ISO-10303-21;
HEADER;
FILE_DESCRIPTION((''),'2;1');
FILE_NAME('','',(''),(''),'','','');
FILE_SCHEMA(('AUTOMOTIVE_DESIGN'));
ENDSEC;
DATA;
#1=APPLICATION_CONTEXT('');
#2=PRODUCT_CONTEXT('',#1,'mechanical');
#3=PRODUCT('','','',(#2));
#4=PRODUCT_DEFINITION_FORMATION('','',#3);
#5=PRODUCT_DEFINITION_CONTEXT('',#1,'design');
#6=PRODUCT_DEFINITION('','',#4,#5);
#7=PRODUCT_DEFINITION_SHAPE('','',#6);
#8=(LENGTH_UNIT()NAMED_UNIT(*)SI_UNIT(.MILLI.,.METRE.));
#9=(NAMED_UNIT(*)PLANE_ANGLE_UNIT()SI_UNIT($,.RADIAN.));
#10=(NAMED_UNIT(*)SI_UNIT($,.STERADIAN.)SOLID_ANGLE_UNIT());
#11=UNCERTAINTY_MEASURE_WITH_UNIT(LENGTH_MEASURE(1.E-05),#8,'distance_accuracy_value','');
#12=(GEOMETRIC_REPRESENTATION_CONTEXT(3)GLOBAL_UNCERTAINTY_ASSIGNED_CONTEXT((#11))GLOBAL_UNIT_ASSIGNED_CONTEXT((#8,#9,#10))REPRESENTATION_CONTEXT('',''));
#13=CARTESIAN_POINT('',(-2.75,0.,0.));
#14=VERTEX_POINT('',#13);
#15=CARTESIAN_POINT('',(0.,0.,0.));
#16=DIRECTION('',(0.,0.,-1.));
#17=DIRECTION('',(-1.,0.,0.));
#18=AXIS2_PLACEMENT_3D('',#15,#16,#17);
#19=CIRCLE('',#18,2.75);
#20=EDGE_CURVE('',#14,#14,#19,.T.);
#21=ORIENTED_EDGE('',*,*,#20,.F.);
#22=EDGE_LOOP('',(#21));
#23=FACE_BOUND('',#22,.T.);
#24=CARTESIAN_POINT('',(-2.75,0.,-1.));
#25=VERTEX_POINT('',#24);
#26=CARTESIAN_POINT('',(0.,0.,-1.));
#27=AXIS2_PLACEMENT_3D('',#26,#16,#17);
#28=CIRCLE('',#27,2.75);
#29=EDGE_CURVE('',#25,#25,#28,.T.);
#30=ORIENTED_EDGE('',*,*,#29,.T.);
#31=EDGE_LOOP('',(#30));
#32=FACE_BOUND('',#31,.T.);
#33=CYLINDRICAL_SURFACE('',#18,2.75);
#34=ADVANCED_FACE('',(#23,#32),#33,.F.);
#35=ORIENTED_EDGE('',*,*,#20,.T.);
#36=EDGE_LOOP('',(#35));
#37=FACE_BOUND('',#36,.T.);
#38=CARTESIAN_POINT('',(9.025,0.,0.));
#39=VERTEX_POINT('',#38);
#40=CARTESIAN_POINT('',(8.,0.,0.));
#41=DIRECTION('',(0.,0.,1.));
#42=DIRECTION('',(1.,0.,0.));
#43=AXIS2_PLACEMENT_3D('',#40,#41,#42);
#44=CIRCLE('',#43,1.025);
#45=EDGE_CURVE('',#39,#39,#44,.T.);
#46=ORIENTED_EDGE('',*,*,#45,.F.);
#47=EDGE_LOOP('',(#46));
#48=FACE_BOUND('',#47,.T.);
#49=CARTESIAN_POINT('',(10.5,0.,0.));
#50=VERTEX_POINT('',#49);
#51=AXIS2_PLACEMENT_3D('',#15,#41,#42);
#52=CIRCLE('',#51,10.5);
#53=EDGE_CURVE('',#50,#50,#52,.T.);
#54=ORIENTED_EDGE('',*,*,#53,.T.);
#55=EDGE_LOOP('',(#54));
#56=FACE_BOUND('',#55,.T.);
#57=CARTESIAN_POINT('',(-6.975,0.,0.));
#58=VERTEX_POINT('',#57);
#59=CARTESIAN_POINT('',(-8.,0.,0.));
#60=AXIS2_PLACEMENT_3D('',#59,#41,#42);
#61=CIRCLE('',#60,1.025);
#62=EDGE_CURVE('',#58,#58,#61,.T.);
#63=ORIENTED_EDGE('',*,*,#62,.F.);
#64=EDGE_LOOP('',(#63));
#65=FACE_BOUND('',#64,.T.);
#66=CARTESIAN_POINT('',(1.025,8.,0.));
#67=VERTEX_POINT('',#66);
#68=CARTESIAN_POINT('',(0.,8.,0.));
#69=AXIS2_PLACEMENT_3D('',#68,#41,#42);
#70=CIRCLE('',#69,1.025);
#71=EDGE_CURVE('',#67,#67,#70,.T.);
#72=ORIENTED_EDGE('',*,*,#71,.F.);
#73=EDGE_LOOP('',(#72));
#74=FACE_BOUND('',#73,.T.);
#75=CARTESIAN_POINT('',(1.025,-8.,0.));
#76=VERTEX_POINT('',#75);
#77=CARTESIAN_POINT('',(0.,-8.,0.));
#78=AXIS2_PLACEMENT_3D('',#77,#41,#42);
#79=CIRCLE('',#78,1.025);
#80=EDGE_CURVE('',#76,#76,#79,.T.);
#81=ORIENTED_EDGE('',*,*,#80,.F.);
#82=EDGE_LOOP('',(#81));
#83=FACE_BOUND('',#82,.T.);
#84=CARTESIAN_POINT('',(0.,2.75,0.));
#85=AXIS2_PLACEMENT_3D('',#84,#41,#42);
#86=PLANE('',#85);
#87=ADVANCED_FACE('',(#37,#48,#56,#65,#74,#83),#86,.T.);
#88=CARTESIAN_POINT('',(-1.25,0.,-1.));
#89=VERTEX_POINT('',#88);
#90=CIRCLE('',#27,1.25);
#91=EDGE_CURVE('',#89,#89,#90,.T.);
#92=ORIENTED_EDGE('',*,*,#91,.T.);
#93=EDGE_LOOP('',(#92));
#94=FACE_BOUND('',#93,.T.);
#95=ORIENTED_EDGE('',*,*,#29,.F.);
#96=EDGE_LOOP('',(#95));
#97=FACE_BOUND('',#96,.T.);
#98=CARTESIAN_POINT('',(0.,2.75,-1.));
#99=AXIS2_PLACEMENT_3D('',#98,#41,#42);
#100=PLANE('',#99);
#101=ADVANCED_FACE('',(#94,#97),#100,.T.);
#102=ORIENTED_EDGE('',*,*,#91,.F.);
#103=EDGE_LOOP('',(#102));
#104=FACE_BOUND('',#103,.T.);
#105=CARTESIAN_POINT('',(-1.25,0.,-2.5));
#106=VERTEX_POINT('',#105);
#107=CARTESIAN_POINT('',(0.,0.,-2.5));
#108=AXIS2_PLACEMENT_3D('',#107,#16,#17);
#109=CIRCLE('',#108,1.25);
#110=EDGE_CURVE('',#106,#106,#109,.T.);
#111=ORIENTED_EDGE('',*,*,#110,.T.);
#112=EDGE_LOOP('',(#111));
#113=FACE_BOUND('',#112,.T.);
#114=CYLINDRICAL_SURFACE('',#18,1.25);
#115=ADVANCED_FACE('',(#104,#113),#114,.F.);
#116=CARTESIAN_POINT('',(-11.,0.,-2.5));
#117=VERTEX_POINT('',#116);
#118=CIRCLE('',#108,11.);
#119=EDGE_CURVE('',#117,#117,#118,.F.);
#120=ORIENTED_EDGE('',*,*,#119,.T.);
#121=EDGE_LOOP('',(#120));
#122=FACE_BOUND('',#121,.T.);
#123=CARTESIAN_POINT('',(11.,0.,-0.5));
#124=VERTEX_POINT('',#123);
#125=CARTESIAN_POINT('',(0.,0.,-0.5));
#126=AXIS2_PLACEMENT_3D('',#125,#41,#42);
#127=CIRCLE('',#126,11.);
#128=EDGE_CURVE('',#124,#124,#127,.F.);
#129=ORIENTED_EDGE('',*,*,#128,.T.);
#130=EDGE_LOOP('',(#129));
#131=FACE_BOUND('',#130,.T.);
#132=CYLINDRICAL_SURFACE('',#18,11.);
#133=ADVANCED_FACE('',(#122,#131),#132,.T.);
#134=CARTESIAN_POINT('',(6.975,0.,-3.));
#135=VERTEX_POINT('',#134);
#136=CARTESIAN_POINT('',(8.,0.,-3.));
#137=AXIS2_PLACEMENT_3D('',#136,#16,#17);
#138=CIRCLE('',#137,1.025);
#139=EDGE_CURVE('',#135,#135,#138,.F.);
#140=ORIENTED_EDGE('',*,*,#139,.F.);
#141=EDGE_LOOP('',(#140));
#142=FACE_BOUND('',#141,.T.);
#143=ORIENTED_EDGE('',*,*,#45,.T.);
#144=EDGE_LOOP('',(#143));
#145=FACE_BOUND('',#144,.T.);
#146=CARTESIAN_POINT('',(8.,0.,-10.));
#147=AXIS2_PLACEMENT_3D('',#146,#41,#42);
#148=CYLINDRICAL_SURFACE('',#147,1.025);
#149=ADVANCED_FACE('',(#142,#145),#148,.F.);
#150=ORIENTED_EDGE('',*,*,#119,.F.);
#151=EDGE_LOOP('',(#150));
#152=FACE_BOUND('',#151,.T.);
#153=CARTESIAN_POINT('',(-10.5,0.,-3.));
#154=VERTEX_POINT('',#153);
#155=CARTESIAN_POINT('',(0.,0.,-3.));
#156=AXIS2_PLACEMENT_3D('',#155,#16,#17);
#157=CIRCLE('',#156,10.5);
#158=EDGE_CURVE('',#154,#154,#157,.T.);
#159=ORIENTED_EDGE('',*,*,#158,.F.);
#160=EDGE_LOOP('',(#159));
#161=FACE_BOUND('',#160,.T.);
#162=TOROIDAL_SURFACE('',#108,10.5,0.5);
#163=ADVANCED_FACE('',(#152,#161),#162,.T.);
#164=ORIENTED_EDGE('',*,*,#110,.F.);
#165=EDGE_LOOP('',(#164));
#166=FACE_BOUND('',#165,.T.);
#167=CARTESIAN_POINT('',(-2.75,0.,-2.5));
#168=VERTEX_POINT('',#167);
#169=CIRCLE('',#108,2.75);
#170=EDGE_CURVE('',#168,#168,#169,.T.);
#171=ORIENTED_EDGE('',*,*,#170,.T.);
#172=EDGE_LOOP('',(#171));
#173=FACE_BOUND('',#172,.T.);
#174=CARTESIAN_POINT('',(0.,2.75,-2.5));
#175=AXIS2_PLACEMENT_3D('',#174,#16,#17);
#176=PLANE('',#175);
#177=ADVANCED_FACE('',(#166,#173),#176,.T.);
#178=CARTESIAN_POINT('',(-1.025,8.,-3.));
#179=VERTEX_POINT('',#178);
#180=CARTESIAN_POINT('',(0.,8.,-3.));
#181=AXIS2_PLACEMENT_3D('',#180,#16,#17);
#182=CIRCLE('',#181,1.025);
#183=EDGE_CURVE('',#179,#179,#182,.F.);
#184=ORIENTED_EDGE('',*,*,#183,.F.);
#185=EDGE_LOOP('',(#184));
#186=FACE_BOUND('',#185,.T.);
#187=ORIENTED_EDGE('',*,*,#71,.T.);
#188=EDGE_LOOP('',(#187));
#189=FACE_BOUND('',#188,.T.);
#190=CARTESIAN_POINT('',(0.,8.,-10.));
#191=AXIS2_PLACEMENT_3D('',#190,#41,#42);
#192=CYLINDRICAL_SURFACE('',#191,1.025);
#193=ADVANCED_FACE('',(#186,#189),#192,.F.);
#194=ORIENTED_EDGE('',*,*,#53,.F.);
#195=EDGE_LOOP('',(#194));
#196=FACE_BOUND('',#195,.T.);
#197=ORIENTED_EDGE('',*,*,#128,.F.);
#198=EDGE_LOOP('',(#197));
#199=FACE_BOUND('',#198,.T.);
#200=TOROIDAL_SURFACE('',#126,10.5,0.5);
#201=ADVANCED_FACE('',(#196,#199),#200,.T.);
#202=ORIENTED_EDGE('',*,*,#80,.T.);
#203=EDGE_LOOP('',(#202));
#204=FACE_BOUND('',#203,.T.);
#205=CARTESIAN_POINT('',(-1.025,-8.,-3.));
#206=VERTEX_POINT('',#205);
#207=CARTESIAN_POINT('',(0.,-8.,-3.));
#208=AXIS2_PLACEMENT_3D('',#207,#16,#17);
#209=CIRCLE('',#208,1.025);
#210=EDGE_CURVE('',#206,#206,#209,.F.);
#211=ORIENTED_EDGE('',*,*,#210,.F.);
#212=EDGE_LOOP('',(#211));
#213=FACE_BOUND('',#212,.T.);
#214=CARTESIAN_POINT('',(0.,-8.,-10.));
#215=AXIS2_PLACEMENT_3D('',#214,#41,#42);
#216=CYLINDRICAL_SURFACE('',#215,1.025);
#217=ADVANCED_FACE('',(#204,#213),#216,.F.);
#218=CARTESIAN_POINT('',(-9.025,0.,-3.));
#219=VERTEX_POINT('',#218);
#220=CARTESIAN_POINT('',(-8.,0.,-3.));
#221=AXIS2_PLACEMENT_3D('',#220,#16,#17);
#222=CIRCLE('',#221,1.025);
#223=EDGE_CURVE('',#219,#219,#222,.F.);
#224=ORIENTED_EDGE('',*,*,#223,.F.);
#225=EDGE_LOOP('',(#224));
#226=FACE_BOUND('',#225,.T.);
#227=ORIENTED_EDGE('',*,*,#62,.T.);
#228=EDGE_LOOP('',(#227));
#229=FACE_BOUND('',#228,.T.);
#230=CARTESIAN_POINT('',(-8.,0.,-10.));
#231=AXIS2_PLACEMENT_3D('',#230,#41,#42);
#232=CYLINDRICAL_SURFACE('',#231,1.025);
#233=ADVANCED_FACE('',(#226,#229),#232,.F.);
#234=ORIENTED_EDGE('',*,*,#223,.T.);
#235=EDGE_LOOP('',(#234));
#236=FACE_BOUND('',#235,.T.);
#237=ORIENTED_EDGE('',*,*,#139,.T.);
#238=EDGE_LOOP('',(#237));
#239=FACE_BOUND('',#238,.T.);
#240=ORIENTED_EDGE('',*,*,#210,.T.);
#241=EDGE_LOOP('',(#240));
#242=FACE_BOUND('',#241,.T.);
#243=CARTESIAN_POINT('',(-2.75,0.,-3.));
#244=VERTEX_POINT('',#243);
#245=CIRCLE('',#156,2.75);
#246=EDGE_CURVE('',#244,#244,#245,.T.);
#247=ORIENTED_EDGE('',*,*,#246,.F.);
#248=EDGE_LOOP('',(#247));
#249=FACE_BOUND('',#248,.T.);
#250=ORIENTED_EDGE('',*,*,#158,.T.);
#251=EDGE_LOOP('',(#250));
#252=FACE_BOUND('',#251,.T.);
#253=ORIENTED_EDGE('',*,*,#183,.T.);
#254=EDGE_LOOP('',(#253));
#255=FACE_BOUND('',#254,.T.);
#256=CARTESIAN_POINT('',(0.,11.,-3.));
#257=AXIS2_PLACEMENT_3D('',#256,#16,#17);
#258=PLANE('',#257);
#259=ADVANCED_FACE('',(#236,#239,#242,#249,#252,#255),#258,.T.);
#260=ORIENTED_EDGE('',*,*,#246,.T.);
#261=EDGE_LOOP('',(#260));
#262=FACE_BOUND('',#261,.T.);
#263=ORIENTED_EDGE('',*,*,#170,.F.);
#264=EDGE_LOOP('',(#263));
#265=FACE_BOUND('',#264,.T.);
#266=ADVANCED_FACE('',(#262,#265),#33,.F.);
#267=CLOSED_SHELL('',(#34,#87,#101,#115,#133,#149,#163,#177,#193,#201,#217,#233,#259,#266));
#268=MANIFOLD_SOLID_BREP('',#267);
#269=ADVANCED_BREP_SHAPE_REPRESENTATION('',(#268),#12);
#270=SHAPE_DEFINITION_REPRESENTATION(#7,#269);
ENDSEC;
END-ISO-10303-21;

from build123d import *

# Parameters (mm, degrees)
M2_TAPPED_HOLE1_AT_2_COUNT = 2
M2_TAPPED_HOLE1_AT_2_PITCH = 11.313708499
M2_TAPPED_HOLE1_AT_3_COUNT = 2
M2_TAPPED_HOLE1_AT_3_PITCH = 16
M2_TAPPED_HOLE1_AT_4_COUNT = 2
M2_TAPPED_HOLE1_AT_4_PITCH = 11.313708499
M2_TAPPED_HOLE1_AT_5_COUNT = 2
M2_TAPPED_HOLE1_AT_5_PITCH = 8
RADYUS1_R                  = 0.5
IZIM1_R                    = 1.025
KES_EKSTR_ZYON1_DEPTH      = 10


with BuildPart() as part:
    # Sketch1 → Revolve1 (revolve)
    with BuildSketch(Plane(origin=(0, 0, 0), x_dir=(0, 0, -1), z_dir=(1, 0, 0))):
        Polygon((2.5, 1.25), (1, 1.25), (1, 2.75), (0, 2.75), (0, 11), (3, 11), (3, 2.75), (2.5, 2.75), align=None)
    revolve(axis=Axis((0, 0, 0), (0, 0, 1)))

    # Sketch4 → M2 Tapped Hole1 (revolve, cut)
    with BuildSketch(Plane(origin=(0, 8, 0), x_dir=(0, -1, 0), z_dir=(1, 0, 0))):
        Polygon((0, 0), (0, 3), (1.025, 3), (0.8, 2.870096189), (0.8, 0.129903811), (1.025, 0), align=None)
    m2_tapped_hole1 = revolve(axis=Axis((0, 8, 6.35), (0, 0, -1)), mode=Mode.SUBTRACT)

    # M2 Tapped Hole1 at 2: M2 Tapped Hole1 ×2
    with Locations(*[Vector(0.707106781, -0.707106781, 0) * (i * M2_TAPPED_HOLE1_AT_2_PITCH) for i in range(1, M2_TAPPED_HOLE1_AT_2_COUNT)]):
        add(m2_tapped_hole1, mode=Mode.SUBTRACT)

    # M2 Tapped Hole1 at 3: M2 Tapped Hole1 ×2
    with Locations(*[(0, -i * M2_TAPPED_HOLE1_AT_3_PITCH, 0) for i in range(1, M2_TAPPED_HOLE1_AT_3_COUNT)]):
        add(m2_tapped_hole1, mode=Mode.SUBTRACT)

    # M2 Tapped Hole1 at 4: M2 Tapped Hole1 ×2
    with Locations(*[Vector(-0.707106781, -0.707106781, 0) * (i * M2_TAPPED_HOLE1_AT_4_PITCH) for i in range(1, M2_TAPPED_HOLE1_AT_4_COUNT)]):
        add(m2_tapped_hole1, mode=Mode.SUBTRACT)

    # M2 Tapped Hole1 at 5: M2 Tapped Hole1 ×2
    with Locations(*[(0, -i * M2_TAPPED_HOLE1_AT_5_PITCH, 0) for i in range(1, M2_TAPPED_HOLE1_AT_5_COUNT)]):
        add(m2_tapped_hole1, mode=Mode.SUBTRACT)

    # Radyus1
    radyus1_edges = [part.edges().sort_by_distance(p)[0] for p in [
        (0, -11, -3),
        (0, -11, 0),
    ]]
    fillet(radyus1_edges, radius=RADYUS1_R)

    # Çizim1 → Kes-Ekstrüzyon1 (cut)
    with BuildSketch(Plane.XY):
        with Locations((0, 8)):
            Circle(IZIM1_R)
        with Locations((-8, 0)):
            Circle(IZIM1_R)
        with Locations((8, 0)):
            Circle(IZIM1_R)
        with Locations((0, -8)):
            Circle(IZIM1_R)
    extrude(amount=-KES_EKSTR_ZYON1_DEPTH, mode=Mode.SUBTRACT)


solid = part.part
